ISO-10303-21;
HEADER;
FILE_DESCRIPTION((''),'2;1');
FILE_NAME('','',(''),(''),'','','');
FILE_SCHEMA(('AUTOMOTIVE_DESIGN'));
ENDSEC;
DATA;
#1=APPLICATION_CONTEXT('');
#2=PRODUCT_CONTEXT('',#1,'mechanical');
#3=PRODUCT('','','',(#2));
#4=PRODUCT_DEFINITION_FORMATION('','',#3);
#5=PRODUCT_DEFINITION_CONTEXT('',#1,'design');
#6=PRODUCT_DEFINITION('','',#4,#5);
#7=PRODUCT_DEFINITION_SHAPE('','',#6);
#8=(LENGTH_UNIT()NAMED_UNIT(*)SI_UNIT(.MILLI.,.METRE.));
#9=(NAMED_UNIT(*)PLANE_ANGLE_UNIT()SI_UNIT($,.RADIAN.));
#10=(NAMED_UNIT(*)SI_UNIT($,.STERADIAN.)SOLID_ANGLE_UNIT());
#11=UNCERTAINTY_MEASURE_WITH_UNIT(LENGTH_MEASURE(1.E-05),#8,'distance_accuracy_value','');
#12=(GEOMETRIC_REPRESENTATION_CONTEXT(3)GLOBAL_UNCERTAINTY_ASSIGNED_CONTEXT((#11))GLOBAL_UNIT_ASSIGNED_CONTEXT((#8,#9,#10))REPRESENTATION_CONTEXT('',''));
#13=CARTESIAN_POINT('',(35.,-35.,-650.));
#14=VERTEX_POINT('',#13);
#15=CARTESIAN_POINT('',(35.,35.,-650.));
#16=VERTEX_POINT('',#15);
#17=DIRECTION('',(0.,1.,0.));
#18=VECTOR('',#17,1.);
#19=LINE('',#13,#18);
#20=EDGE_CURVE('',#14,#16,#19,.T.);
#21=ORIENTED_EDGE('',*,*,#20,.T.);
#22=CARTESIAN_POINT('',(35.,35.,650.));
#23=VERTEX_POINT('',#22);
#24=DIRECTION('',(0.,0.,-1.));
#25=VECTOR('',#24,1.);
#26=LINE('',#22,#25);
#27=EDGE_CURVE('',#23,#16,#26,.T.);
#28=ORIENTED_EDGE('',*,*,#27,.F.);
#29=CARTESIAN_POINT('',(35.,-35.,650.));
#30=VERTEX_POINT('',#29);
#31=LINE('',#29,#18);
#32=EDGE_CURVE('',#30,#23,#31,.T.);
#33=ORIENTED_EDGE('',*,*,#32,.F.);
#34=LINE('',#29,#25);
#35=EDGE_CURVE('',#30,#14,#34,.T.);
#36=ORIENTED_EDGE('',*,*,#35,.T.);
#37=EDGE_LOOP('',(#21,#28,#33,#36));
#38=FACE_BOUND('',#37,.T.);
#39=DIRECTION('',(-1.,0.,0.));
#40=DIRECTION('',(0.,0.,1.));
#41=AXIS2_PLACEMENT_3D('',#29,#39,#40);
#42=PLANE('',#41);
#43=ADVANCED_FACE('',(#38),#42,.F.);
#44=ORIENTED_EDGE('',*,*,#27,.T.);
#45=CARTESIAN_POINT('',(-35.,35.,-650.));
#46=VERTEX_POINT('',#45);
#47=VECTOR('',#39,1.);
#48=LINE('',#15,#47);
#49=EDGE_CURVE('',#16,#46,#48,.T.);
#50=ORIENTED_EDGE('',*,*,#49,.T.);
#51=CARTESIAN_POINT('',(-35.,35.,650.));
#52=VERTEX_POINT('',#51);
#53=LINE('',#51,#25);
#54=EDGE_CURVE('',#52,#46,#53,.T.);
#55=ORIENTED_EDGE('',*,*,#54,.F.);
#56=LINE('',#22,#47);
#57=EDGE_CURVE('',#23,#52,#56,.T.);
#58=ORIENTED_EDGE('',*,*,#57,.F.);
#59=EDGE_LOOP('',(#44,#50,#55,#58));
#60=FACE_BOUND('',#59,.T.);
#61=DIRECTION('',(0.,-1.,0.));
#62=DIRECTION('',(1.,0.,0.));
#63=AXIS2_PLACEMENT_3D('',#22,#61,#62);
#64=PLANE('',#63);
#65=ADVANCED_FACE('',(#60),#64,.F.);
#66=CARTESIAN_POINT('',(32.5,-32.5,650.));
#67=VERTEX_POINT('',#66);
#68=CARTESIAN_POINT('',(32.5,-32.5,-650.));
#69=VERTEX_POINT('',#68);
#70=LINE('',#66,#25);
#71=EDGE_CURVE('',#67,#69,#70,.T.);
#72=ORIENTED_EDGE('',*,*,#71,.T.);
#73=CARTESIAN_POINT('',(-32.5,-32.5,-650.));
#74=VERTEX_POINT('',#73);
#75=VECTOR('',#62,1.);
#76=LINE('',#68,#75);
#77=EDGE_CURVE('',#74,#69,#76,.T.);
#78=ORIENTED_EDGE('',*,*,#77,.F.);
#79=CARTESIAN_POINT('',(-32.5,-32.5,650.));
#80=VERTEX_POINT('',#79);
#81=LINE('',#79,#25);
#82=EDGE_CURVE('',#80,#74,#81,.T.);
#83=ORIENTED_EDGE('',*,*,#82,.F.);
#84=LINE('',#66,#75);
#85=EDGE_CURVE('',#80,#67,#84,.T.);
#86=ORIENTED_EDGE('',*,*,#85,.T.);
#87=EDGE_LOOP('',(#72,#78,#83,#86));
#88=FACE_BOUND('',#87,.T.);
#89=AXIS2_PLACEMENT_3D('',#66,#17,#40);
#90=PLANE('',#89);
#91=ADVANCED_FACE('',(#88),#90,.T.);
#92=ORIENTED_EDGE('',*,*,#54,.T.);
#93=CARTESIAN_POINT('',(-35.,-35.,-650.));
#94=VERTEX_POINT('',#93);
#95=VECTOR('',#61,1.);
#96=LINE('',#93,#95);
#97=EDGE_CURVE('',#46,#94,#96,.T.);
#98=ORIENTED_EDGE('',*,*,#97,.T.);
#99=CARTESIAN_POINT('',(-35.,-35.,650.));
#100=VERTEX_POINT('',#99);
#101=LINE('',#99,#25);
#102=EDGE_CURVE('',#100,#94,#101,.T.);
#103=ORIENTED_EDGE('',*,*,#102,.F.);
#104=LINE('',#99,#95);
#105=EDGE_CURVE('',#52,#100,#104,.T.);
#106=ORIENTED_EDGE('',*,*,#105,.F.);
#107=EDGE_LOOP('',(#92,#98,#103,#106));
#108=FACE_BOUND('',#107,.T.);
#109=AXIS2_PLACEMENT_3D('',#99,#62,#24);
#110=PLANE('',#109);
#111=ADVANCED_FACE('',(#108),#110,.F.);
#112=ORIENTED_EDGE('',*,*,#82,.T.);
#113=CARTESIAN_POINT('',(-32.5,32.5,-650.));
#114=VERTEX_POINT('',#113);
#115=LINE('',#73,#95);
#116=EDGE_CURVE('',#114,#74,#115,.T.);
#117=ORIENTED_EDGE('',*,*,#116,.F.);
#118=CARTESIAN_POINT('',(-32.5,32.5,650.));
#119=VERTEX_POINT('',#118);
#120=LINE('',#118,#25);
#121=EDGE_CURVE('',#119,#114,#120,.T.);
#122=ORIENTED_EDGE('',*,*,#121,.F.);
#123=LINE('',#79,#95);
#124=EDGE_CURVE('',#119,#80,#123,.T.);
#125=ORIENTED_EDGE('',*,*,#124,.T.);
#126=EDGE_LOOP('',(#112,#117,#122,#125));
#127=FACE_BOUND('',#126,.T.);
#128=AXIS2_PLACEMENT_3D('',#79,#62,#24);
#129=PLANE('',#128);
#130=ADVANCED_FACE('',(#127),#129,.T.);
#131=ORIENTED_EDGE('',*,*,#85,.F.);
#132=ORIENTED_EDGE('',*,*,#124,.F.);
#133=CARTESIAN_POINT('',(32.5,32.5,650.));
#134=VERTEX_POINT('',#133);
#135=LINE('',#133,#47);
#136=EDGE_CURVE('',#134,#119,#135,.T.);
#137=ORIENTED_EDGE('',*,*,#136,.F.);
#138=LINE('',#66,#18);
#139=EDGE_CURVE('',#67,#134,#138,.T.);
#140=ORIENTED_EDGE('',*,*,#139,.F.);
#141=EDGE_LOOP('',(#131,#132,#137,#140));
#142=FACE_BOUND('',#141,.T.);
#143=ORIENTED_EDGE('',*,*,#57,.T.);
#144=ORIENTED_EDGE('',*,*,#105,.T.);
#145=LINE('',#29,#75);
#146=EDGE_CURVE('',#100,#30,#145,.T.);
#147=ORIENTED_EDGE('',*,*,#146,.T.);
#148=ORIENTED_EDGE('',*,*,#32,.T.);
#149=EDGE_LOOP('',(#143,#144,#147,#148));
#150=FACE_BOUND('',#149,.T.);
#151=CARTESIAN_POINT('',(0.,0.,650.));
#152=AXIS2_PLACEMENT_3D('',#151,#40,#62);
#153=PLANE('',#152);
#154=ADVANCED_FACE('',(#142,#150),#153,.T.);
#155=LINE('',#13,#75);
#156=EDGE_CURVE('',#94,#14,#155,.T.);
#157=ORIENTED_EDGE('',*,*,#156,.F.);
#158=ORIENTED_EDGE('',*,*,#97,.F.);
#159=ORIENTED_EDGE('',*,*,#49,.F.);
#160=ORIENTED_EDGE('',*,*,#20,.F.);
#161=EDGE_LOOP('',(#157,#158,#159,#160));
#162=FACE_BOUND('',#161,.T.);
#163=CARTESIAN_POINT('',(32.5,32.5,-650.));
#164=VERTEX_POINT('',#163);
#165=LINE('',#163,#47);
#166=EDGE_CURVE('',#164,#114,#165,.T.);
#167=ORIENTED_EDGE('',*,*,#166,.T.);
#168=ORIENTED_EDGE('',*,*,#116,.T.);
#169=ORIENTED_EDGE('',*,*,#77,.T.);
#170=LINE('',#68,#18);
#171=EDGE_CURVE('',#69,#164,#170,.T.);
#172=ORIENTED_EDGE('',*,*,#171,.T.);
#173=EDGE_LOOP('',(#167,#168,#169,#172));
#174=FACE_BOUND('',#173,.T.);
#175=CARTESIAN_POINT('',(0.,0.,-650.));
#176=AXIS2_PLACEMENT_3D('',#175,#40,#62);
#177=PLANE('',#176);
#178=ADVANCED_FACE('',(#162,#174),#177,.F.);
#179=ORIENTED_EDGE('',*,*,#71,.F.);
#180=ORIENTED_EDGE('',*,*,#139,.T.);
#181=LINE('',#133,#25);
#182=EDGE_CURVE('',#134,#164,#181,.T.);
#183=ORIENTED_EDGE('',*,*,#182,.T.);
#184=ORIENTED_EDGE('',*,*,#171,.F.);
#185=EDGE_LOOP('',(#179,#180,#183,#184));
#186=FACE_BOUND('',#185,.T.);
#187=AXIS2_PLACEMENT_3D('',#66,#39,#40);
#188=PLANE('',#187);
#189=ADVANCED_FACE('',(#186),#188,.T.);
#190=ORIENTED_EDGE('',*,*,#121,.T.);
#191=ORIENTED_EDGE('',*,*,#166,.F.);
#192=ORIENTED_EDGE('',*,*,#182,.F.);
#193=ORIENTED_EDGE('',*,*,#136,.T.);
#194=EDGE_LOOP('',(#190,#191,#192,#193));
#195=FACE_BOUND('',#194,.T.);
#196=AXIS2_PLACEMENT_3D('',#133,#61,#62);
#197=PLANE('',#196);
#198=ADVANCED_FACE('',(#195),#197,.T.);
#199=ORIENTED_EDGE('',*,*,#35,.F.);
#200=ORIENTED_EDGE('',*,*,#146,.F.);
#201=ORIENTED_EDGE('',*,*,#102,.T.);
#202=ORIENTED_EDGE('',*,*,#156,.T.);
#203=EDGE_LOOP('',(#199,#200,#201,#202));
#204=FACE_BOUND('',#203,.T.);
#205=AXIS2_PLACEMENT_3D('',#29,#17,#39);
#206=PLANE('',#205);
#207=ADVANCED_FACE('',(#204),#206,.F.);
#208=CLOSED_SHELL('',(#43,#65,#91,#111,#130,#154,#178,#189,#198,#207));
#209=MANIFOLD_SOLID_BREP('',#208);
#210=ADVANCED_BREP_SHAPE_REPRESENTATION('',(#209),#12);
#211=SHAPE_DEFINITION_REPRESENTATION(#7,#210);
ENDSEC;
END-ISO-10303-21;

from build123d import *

# Parameters (mm, degrees)
CROQUIS2_W              = 70
CROQUIS2_H              = 70
CROQUIS2_W_2            = 65
CROQUIS2_H_2            = 65
SALIENTE_EXTRUIR1_DEPTH = 650


with BuildPart() as part:
    # Croquis2 → Saliente-Extruir1 (new, symmetric)
    with BuildSketch(Plane.XY):
        Rectangle(CROQUIS2_W, CROQUIS2_H)
        Rectangle(CROQUIS2_W_2, CROQUIS2_H_2, mode=Mode.SUBTRACT)
    extrude(amount=SALIENTE_EXTRUIR1_DEPTH, both=True)


solid = part.part
